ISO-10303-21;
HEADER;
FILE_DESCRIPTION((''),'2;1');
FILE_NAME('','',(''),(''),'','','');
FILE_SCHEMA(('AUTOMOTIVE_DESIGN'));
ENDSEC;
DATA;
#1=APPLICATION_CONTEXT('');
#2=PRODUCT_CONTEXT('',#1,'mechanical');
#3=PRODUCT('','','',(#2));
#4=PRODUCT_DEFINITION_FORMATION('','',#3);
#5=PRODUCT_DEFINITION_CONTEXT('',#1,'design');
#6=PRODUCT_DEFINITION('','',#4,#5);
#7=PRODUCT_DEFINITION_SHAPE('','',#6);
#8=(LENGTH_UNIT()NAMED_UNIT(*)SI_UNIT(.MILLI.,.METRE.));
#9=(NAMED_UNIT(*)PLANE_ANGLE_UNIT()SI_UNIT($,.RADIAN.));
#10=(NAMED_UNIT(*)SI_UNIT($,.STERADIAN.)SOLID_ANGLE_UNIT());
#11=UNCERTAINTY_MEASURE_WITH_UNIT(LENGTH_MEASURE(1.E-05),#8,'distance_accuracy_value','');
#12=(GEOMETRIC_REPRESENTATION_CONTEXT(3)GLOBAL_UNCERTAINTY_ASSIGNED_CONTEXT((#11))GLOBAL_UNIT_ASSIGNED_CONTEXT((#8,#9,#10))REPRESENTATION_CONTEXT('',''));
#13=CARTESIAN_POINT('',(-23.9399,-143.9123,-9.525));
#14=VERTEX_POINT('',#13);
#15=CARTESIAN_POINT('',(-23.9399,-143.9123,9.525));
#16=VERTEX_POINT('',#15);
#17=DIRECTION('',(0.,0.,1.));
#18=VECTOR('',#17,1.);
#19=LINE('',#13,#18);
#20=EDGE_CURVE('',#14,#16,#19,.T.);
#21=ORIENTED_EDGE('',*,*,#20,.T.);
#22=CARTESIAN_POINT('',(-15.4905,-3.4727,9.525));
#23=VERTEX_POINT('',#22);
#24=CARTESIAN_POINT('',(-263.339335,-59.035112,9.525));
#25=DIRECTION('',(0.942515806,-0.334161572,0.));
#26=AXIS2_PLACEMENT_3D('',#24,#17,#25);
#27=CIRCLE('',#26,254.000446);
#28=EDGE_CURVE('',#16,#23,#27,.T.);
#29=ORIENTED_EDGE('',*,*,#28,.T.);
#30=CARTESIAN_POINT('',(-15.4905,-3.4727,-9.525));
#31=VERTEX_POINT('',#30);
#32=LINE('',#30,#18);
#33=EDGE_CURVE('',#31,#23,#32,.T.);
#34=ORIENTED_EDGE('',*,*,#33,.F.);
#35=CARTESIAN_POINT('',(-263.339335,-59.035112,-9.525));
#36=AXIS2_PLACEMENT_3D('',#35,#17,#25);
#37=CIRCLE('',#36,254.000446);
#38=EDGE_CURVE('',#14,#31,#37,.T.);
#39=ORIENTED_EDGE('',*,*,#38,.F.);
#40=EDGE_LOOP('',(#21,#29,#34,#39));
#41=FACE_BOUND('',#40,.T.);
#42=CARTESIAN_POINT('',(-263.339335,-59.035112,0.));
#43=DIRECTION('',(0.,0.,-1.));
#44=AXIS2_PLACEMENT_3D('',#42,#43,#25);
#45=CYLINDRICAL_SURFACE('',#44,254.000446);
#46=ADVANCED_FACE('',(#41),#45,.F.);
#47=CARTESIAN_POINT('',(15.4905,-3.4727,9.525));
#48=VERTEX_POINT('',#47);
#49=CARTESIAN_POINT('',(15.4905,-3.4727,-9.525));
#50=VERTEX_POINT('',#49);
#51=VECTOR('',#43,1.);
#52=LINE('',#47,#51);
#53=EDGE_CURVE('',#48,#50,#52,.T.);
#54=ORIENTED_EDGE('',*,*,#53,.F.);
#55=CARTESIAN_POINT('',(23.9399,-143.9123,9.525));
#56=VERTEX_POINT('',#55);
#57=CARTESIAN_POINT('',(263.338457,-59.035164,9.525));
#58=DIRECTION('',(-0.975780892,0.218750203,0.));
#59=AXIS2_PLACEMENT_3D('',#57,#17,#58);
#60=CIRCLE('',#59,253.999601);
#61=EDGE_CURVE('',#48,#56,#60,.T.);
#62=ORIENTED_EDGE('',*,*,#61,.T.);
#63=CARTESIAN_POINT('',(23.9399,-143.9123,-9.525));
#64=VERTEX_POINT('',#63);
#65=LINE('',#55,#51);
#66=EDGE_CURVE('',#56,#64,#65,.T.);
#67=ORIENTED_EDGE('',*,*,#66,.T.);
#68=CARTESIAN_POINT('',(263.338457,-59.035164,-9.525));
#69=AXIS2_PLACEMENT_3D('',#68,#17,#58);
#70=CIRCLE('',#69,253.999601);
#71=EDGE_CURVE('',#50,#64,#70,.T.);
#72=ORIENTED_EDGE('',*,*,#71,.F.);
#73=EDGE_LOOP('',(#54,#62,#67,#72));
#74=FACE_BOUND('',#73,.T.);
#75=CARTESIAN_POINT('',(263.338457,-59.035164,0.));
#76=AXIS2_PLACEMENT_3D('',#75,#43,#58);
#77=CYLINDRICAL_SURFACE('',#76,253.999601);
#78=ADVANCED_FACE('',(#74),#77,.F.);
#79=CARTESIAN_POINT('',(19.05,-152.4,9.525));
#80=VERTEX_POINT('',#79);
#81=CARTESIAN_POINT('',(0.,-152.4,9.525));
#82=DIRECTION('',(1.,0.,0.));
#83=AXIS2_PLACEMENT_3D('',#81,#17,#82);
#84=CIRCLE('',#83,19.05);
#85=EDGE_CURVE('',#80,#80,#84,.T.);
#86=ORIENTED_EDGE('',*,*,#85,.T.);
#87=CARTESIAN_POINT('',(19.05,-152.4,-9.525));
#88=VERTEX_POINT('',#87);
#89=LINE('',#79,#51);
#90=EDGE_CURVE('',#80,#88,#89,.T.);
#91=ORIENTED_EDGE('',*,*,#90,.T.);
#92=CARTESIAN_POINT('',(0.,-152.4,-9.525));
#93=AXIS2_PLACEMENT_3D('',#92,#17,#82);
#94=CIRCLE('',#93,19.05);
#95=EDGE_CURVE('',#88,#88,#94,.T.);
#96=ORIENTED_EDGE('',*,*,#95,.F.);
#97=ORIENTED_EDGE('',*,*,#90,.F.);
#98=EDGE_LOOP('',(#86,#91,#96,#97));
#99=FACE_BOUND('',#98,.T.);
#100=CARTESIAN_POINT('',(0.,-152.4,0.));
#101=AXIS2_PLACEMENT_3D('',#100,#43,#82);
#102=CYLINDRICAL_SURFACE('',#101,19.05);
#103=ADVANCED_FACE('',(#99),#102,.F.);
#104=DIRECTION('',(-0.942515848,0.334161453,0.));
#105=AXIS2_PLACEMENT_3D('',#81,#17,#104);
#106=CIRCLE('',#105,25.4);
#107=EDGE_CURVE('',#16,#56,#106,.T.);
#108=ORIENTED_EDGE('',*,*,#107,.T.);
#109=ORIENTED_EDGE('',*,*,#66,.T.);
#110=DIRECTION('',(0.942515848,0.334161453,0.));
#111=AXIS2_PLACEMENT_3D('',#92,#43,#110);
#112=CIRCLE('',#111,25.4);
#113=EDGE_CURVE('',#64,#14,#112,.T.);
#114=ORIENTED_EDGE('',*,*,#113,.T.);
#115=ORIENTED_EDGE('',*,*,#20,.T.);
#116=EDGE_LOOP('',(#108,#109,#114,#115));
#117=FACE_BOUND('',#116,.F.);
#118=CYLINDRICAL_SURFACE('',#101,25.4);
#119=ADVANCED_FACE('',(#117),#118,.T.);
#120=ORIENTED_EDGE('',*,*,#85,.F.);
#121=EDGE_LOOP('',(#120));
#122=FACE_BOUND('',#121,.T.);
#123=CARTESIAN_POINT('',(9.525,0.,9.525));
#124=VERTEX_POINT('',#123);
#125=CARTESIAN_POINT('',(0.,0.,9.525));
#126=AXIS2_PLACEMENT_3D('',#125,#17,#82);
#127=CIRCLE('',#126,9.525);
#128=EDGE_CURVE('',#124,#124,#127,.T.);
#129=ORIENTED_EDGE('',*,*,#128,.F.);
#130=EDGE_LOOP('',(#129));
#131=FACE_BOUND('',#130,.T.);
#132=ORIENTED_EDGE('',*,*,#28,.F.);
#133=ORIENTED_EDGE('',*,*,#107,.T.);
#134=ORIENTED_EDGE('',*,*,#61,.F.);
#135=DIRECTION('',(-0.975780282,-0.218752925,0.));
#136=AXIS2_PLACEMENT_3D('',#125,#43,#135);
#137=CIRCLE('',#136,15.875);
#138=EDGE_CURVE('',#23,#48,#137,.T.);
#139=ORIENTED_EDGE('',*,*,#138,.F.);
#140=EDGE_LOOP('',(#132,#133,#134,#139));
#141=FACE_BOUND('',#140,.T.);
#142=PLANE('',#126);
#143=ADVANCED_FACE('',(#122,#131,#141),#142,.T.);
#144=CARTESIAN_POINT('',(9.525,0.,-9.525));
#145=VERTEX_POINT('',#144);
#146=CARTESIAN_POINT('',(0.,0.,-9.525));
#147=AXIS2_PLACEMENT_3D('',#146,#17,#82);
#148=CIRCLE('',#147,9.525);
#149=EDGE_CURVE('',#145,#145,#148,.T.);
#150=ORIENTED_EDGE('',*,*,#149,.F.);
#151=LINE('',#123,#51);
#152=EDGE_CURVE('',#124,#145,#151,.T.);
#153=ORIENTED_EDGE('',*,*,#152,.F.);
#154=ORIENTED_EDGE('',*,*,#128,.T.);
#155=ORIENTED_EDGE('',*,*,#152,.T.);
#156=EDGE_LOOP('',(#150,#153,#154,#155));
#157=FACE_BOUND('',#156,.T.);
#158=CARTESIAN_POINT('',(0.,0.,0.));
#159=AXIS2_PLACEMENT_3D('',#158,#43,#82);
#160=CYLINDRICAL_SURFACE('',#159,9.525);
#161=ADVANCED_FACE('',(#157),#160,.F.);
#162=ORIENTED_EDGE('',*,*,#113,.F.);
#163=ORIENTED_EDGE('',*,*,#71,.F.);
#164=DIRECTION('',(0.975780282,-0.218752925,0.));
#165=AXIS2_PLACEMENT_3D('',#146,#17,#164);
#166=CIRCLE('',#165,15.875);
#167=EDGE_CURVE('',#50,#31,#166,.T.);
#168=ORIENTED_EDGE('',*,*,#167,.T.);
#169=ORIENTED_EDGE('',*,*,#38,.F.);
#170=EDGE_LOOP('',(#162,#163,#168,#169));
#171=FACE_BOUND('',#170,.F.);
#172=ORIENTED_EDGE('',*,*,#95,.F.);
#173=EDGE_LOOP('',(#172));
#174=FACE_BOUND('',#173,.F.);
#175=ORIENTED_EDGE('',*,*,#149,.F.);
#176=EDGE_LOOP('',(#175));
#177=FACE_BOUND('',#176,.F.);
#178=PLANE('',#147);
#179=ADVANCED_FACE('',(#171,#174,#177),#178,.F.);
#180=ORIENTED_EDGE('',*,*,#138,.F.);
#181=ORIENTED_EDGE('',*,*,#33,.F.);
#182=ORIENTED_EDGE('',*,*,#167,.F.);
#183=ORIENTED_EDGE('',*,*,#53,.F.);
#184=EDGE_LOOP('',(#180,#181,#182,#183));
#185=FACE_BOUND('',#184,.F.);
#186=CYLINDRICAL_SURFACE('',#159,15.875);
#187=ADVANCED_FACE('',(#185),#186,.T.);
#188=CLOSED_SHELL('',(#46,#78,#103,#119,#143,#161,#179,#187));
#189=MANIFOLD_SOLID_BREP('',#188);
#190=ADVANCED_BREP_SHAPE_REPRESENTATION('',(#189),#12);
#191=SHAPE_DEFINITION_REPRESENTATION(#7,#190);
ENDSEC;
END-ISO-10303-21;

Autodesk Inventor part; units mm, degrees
ref_plane "YZ Plane" through (0, 0, 0) normal (1, 0, 0) x (0, 1, 0)
ref_plane "XZ Plane" through (0, 0, 0) normal (0, 1, 0) x (-1, 0, 0)
ref_plane "XY Plane" through (0, 0, 0) normal (0, 0, 1) x (1, 0, 0)
sketch "Sketch1" plane through (0, 0, 0) normal (0, 0, 1) x (1, 0, 0)
  circle A0 centre (0, 0) radius 9.525
  circle A1 centre (0, -152.4) radius 19.05
  line L0 (0, -216.535) -> (0, 54.61) construction
  circle A2 centre (0, 0) radius 15.875
  circle A3 centre (0, -152.4) radius 25.4
  arc A4 (-23.9399, -143.9123) -> (-15.4905, -3.4727) centre (-263.3389, -59.0352) ccw
  arc A5 (15.4905, -3.4727) -> (23.9399, -143.9123) centre (263.3389, -59.0352) ccw
  point P0 (23.9399, -143.9123)
  point P1 (15.4905, -3.4727)
  dimension "d0" = 19.05
  dimension "d1" = 38.1
  dimension "conrod_ctc" = 152.4
  dimension "conrod_wt" = 6.35
  dimension "d5" = 6.35
  dimension "conrod_rad" = 254
extrude "Extrusion1" add sketch "Sketch1" along normal mid plane 19.05
equation "\"d0\" = pin_dia"
equation "\"d1\" = 2 * d0"
equation "\"d5\" = conrod_wt"
equation "\"pin_dia\" = 19.05"
properties part number "Connecting_Rod" material "Titanium"
